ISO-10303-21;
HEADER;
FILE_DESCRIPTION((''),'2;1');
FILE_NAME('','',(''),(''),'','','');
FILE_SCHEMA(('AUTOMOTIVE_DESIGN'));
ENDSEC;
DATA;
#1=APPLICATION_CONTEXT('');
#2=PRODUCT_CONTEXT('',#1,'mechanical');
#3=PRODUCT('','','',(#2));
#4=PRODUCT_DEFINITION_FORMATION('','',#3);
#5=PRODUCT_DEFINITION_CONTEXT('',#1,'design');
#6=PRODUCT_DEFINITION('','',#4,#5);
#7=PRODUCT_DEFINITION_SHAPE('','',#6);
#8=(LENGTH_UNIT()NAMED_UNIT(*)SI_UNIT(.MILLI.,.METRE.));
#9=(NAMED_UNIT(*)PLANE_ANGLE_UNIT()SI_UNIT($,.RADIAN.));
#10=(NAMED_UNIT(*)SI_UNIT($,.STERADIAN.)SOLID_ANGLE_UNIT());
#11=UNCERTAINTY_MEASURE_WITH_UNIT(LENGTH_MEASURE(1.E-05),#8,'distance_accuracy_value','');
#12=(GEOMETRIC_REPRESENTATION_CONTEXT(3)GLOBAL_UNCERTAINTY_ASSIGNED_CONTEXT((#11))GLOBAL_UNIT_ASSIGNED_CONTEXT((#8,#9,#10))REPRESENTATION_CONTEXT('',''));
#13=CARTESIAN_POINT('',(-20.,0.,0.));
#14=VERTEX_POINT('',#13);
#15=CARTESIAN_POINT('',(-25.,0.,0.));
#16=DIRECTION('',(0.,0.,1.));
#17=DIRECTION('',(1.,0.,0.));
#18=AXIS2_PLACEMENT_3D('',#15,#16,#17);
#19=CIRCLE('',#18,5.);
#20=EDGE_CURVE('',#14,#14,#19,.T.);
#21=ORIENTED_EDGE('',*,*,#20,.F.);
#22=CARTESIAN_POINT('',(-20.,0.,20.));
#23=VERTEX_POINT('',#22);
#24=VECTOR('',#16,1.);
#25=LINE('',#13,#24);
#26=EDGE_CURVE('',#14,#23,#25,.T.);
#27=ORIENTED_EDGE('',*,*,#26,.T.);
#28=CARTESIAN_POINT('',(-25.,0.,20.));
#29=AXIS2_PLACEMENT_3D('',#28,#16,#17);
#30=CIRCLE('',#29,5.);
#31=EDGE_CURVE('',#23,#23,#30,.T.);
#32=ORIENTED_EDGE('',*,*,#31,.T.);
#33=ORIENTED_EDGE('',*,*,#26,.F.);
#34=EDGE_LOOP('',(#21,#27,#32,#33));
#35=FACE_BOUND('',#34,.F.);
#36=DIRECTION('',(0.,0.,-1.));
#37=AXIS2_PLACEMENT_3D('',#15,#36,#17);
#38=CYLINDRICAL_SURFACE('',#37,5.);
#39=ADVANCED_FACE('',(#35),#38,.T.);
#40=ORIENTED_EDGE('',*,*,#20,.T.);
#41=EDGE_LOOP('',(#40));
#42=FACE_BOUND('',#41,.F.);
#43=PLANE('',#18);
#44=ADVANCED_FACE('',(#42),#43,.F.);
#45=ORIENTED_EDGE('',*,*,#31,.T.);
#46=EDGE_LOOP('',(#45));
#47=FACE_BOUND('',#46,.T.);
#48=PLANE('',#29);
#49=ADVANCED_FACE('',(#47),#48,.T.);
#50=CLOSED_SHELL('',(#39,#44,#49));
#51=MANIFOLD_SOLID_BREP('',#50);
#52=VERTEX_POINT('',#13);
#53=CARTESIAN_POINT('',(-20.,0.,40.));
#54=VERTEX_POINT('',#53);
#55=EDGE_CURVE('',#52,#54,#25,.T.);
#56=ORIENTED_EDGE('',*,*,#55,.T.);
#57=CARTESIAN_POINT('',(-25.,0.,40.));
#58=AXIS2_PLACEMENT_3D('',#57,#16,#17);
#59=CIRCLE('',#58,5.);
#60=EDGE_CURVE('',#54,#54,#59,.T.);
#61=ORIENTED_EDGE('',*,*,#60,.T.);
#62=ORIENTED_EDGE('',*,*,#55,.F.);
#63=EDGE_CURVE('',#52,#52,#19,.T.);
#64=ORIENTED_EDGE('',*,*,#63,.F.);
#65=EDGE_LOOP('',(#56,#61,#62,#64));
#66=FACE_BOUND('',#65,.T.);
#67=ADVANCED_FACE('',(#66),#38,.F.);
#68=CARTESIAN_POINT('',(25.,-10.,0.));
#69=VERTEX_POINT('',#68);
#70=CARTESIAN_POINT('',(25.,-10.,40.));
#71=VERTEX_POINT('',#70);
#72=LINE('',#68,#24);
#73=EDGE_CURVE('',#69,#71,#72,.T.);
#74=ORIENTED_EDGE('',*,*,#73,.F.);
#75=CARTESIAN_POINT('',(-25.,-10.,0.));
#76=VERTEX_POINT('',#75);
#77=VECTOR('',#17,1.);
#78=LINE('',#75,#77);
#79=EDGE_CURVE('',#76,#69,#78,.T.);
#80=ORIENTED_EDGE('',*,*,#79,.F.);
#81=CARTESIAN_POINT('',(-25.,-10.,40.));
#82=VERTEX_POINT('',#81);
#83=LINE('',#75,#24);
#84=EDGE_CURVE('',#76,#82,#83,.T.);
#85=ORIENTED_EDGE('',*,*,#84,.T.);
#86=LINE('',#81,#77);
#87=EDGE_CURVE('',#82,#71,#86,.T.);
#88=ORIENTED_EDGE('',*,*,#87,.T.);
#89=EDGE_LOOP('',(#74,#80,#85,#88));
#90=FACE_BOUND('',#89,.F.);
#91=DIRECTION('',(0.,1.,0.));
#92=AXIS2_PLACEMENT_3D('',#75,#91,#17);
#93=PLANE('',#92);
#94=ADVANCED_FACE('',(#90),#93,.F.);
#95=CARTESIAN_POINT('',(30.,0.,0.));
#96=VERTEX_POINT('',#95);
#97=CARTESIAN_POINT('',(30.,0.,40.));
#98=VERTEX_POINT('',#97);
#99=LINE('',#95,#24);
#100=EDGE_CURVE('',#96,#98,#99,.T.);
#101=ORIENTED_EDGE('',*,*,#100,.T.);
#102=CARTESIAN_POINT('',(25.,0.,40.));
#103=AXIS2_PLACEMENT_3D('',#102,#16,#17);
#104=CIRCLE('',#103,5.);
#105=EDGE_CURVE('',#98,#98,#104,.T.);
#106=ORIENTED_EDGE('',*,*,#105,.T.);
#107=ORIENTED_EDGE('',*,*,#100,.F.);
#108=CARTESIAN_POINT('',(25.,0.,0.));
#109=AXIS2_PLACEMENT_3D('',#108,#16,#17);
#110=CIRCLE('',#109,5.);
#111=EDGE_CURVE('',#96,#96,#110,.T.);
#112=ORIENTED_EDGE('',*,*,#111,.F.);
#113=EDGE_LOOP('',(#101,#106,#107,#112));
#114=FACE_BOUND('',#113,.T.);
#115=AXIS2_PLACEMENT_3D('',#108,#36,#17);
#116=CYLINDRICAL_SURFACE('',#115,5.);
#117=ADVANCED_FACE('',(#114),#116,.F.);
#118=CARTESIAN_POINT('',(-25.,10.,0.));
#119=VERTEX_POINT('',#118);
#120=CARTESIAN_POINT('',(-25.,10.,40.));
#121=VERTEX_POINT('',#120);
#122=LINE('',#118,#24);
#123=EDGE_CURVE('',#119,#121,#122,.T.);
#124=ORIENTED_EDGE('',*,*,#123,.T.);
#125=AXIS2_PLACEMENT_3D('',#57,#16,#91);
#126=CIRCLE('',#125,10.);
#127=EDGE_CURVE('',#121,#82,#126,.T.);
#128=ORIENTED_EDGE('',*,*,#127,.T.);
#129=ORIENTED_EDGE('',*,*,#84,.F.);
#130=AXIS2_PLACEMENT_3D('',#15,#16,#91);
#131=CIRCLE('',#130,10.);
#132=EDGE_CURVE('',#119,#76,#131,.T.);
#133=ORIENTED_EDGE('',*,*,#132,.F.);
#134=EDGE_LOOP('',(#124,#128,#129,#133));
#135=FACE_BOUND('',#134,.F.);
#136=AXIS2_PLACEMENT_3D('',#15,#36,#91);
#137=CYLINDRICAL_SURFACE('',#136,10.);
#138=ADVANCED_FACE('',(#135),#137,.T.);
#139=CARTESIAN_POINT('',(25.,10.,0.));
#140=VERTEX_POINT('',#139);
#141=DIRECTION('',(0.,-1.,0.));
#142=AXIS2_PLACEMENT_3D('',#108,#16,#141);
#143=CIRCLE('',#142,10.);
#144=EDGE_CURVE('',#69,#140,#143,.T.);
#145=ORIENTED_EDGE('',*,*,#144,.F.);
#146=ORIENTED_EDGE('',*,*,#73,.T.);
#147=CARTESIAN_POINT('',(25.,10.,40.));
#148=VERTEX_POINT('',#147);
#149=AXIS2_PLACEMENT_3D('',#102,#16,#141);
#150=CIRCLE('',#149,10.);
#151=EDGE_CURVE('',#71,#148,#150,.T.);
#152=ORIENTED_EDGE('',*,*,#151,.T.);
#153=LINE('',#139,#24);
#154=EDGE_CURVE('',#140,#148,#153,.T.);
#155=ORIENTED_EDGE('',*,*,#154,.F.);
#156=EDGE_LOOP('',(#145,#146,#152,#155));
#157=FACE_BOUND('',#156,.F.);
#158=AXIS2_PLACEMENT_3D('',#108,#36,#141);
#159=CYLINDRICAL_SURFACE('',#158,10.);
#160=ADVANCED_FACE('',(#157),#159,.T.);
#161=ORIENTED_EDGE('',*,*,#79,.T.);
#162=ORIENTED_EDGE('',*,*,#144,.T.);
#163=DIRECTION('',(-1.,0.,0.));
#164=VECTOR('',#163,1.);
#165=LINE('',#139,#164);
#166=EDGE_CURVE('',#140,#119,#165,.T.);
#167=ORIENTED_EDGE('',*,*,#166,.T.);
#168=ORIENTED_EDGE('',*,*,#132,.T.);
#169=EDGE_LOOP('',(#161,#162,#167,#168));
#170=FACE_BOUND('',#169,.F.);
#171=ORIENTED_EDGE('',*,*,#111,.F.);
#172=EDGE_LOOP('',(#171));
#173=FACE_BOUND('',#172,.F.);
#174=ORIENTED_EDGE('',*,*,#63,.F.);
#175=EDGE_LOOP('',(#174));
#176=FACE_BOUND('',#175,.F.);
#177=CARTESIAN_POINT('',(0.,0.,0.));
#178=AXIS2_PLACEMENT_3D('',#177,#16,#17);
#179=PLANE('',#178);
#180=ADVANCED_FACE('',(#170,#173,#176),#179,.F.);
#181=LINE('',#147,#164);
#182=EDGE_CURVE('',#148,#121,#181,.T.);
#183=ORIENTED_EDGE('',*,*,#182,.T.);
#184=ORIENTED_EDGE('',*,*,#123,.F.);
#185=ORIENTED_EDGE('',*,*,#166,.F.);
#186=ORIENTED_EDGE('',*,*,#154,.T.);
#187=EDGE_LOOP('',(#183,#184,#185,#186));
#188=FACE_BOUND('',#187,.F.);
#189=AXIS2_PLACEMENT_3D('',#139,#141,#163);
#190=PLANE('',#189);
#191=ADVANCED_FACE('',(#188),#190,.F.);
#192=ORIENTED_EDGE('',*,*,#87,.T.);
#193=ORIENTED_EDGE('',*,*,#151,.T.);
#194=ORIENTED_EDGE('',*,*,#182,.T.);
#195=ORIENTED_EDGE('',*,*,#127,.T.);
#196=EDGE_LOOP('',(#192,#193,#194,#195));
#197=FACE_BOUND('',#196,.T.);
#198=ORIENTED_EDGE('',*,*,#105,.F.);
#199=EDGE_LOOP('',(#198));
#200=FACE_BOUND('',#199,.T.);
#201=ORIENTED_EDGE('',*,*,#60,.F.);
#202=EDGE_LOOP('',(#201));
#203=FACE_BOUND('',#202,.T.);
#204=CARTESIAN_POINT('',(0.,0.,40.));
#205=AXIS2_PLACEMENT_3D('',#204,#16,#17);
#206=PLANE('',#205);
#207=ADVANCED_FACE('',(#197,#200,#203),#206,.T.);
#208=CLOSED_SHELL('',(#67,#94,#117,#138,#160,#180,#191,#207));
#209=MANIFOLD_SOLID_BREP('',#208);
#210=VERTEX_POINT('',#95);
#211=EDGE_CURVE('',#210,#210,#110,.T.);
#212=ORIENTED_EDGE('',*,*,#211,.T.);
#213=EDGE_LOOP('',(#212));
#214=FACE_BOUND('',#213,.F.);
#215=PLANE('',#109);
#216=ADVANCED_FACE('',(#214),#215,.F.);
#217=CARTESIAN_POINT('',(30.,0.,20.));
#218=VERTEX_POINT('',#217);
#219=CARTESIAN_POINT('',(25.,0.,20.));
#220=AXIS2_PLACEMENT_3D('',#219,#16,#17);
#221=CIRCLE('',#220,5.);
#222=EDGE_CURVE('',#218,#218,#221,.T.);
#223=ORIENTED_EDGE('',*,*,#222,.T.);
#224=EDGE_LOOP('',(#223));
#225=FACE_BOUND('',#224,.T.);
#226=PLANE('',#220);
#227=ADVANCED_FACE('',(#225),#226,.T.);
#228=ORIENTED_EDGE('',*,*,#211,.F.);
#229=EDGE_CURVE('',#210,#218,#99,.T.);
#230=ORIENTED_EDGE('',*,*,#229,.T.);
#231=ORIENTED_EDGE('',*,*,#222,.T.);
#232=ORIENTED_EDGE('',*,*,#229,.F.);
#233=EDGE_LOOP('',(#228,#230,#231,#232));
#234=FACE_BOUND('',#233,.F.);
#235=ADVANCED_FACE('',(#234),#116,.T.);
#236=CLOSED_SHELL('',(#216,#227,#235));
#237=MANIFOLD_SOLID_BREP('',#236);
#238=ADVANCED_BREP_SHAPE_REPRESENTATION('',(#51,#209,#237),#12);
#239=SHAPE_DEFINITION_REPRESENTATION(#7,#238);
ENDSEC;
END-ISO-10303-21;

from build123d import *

# Parameters (mm, degrees)
F0_R     = 5
F1_DEPTH = 20
F2_DEPTH = 20
F3_DEPTH = 40


with BuildPart() as f1:
    # F0 (on Top) → F1 (new body)
    with BuildSketch(Plane.XY):
        with Locations((25, 0)):
            Circle(F0_R)
    extrude(amount=F1_DEPTH)


with BuildPart() as f2:
    # F0 (on Top) → F2 (new body)
    with BuildSketch(Plane.XY):
        with Locations((-25, 0)):
            Circle(F0_R)
    extrude(amount=F2_DEPTH)


with BuildPart() as f3:
    # F0 (on Top) → F3 (new body)
    with BuildSketch(Plane.XY):
        with BuildLine():
            ThreePointArc((-25, 10), (-35, 0), (-25, -10))
            Line((-25, -10), (25, -10))
            ThreePointArc((25, -10), (35, 0), (25, 10))
            Line((25, 10), (-25, 10))
        make_face()
        with Locations((-25, 0)):
            Circle(F0_R, mode=Mode.SUBTRACT)
        with Locations((25, 0)):
            Circle(F0_R, mode=Mode.SUBTRACT)
    extrude(amount=F3_DEPTH)


solid = Compound([f1.part, f2.part, f3.part])
